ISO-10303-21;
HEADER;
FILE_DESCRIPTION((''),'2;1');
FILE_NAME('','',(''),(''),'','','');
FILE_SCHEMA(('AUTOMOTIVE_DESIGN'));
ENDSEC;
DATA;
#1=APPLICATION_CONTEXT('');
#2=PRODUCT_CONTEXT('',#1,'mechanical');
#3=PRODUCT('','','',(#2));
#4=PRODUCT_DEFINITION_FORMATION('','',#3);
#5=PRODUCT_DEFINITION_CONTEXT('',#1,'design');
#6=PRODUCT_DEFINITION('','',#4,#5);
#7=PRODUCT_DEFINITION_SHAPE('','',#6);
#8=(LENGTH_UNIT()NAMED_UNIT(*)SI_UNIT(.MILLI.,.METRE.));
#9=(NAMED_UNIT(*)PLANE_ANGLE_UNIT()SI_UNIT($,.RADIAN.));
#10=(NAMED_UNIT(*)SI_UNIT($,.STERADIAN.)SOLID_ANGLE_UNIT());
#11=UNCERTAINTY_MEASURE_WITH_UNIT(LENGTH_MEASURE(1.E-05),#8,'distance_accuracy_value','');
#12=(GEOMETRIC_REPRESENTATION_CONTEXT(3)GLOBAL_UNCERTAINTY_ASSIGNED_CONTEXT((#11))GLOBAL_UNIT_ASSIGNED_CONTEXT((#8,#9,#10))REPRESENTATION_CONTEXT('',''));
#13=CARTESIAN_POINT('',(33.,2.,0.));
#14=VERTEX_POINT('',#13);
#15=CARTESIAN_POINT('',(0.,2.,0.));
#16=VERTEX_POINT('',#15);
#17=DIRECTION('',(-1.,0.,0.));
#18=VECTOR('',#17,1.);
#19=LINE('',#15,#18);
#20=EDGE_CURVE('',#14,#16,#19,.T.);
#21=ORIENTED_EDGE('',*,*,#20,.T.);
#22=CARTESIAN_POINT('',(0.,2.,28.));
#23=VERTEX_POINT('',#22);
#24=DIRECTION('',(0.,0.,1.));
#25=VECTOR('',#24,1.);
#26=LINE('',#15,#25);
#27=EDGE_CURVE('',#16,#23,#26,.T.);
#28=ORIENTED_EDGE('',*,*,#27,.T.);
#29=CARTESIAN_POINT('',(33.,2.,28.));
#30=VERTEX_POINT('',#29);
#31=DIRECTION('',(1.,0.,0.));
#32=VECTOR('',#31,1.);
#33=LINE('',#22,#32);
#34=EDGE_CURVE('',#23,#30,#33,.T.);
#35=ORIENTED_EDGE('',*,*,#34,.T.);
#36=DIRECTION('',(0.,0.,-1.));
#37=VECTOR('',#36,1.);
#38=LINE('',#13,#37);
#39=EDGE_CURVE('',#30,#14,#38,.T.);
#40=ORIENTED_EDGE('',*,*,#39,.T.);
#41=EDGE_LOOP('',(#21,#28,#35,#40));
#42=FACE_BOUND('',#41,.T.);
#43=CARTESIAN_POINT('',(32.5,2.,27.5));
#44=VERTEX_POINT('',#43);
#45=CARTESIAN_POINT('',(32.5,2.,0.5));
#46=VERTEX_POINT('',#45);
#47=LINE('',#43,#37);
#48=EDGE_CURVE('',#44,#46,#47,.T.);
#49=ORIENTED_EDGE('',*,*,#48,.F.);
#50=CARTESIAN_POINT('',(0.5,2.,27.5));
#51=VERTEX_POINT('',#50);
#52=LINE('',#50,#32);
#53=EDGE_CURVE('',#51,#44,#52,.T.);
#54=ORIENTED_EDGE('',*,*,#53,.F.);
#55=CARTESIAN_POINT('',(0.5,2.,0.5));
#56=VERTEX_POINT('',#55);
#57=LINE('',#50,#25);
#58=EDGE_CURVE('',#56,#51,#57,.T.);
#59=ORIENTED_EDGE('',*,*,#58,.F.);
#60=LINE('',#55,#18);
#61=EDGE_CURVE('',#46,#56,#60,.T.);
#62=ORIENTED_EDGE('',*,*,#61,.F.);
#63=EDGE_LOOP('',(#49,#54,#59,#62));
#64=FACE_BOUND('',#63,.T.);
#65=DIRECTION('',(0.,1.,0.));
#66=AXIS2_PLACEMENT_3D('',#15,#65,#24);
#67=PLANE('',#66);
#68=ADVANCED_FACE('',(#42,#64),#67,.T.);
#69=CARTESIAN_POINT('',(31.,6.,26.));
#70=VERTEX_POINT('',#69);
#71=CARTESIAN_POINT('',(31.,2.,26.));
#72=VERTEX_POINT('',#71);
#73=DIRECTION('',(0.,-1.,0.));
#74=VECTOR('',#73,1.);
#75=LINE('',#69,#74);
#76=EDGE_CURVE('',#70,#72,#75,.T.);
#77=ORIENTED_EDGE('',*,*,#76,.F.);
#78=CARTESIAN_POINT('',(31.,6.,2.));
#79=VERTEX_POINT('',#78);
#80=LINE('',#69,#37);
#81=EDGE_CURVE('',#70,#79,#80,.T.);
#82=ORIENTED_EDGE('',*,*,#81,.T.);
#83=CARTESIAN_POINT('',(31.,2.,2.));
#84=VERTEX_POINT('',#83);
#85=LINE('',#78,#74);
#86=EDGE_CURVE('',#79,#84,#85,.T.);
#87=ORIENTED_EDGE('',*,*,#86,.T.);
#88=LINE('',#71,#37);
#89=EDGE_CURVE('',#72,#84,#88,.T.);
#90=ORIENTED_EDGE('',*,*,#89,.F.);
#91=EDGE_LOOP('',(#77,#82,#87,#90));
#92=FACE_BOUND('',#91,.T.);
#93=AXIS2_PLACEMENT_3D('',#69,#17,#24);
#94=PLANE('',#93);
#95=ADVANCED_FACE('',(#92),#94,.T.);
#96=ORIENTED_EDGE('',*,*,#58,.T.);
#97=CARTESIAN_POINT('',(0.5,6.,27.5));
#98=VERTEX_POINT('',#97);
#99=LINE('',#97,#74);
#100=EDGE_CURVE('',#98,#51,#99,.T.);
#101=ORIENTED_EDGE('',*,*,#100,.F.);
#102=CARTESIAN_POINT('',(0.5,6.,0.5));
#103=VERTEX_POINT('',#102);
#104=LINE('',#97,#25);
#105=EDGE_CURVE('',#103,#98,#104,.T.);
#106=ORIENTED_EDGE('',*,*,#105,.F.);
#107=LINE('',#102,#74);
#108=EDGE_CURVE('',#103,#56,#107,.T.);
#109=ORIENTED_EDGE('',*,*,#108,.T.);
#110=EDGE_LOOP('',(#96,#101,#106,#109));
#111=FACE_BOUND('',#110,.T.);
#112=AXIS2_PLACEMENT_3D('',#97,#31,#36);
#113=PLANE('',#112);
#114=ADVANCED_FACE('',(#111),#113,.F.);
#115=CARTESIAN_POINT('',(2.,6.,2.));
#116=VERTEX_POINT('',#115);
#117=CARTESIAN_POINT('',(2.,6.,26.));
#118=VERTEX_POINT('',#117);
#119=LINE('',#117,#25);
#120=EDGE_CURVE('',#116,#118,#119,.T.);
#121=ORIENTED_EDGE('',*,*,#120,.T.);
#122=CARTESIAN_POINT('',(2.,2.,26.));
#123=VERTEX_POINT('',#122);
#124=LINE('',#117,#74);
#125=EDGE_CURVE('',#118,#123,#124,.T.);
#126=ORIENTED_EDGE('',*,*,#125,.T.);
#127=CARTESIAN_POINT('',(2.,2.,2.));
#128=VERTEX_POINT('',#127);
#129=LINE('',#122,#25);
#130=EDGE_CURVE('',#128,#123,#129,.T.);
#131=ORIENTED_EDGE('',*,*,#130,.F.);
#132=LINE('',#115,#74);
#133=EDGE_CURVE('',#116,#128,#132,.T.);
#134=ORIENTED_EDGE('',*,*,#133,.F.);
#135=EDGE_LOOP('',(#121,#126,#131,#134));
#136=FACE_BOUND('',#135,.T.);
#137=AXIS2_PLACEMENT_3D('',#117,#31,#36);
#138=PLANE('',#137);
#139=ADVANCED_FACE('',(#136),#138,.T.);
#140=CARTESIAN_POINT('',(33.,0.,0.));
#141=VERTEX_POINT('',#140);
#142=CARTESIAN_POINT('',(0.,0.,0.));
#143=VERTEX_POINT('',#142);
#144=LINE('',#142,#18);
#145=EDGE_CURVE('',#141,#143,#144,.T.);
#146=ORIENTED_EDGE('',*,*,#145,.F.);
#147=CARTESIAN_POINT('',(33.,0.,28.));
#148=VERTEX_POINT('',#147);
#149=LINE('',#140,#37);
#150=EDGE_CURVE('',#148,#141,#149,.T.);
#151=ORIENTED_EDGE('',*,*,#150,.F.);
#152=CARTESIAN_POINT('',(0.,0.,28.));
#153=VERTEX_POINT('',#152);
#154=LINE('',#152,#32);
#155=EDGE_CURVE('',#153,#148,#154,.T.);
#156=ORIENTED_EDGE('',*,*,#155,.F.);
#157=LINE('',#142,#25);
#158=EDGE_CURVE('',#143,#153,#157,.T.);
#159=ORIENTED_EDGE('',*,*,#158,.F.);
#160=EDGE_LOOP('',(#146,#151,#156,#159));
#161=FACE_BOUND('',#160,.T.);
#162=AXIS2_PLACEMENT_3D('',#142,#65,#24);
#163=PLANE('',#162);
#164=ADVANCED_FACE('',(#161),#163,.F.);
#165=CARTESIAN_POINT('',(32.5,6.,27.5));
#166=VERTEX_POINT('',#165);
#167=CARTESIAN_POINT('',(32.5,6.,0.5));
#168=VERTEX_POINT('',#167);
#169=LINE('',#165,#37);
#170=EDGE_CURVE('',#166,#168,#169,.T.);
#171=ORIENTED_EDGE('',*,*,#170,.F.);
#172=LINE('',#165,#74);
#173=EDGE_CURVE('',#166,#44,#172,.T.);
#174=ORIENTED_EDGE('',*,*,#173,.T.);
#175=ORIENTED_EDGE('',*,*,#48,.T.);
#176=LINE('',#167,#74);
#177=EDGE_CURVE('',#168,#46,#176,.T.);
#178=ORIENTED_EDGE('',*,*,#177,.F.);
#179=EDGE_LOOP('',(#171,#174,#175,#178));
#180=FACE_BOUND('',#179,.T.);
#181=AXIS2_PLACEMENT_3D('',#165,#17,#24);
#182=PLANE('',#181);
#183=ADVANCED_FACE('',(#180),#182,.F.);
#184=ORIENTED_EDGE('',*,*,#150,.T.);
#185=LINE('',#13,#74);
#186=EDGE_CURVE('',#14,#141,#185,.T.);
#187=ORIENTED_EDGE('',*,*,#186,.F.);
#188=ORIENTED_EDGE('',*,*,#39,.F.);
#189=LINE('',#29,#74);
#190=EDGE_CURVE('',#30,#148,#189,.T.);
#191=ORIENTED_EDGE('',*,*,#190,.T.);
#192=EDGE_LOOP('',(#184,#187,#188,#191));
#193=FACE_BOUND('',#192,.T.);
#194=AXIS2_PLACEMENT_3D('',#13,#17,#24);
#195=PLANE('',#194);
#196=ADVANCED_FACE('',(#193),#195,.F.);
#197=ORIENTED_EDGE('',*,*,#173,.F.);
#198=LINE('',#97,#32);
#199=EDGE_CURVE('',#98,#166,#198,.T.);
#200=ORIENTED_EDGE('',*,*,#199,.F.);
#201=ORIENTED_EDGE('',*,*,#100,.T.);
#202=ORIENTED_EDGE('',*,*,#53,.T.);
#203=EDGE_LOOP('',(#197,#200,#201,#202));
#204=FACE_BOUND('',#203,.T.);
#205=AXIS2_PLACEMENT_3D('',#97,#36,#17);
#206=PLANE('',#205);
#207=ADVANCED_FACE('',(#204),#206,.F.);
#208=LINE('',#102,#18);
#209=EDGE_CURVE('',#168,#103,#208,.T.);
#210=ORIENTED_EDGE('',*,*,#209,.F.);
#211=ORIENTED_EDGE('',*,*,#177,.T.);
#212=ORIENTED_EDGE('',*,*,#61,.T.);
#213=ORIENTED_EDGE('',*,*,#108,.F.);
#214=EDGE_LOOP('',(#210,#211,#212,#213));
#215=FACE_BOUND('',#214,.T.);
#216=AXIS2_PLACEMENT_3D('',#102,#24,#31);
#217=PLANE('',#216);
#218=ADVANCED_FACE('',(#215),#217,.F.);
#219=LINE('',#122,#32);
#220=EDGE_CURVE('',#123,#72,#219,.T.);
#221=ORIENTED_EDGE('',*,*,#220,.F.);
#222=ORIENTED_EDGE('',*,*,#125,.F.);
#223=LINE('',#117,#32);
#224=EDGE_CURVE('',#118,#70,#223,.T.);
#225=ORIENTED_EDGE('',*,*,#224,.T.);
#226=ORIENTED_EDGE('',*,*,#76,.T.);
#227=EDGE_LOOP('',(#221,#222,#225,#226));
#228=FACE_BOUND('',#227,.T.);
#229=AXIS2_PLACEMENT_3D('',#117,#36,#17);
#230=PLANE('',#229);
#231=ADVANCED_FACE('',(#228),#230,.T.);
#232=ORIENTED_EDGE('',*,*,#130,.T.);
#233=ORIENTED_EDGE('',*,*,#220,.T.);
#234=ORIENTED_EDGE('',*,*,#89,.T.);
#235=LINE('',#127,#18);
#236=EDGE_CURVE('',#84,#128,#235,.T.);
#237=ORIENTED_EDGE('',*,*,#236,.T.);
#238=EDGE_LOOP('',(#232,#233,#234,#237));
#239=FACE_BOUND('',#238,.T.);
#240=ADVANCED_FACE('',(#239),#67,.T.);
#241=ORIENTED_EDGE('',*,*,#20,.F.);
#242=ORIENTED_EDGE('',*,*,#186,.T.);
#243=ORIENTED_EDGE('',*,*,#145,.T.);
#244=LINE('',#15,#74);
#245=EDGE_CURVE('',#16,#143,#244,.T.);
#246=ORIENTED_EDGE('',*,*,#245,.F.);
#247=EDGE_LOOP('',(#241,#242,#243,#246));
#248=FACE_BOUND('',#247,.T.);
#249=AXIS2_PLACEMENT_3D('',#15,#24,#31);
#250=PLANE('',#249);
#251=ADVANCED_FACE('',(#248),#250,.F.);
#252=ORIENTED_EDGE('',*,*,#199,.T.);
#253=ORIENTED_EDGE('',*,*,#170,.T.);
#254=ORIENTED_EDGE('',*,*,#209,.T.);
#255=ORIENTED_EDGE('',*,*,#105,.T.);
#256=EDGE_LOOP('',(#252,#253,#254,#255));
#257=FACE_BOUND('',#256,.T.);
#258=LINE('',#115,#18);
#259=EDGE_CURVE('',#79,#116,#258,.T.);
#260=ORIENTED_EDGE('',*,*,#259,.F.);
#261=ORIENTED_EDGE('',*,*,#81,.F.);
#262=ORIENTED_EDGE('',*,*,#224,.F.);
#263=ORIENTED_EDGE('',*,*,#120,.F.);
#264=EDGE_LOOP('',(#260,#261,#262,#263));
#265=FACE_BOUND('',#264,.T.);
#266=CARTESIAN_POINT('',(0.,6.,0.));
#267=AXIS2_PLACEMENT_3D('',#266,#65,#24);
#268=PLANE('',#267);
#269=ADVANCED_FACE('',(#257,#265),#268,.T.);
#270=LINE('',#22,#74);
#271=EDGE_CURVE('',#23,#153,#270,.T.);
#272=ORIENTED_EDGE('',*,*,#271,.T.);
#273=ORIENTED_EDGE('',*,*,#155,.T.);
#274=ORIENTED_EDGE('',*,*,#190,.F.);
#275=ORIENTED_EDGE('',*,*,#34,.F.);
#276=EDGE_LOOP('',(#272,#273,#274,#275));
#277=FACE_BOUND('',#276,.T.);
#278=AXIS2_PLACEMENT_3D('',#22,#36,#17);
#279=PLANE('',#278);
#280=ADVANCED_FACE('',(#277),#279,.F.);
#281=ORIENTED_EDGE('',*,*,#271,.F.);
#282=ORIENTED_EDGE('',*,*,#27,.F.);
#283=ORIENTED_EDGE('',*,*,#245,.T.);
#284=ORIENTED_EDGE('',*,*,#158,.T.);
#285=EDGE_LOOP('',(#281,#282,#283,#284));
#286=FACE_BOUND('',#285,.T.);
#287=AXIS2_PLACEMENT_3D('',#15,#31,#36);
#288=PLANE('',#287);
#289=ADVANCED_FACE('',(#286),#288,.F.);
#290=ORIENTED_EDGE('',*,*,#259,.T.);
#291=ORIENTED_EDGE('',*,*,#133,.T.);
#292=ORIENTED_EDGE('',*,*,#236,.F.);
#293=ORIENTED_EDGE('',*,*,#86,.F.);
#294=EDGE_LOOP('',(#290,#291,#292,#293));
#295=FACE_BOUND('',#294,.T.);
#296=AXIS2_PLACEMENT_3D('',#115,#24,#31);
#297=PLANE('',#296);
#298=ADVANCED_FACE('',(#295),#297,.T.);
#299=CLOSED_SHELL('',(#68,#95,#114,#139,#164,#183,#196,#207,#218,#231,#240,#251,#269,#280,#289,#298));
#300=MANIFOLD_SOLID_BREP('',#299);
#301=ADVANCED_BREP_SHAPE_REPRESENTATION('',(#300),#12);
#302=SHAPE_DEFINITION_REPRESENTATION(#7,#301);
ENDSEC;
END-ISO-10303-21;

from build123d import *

# Parameters (mm, degrees)
SKETCH_1_W      = 33
SKETCH_1_H      = 28
EXTRUDE_1_DEPTH = 2
SKETCH_2_W      = 32
SKETCH_2_H      = 27
SKETCH_2_W_2    = 29
SKETCH_2_H_2    = 24
EXTRUDE_2_DEPTH = 4


with BuildPart() as part:
    # 草图1 → 凸台-拉伸1 (new body)
    with BuildSketch(Plane(origin=(0, 0, 0), x_dir=(1, 0, 0), z_dir=(0, 1, 0))):
        with Locations((16.5, -14)):
            Rectangle(SKETCH_1_W, SKETCH_1_H)
    extrude(amount=EXTRUDE_1_DEPTH)

    # 草图2 → 凸台-拉伸2 (add)
    with BuildSketch(Plane(origin=(0, 2, 0), x_dir=(1, 0, 0), z_dir=(0, 1, 0))):
        with Locations((16.5, -14)):
            Rectangle(SKETCH_2_W, SKETCH_2_H)
        with Locations((16.5, -14)):
            Rectangle(SKETCH_2_W_2, SKETCH_2_H_2, mode=Mode.SUBTRACT)
    extrude(amount=EXTRUDE_2_DEPTH)


solid = part.part
